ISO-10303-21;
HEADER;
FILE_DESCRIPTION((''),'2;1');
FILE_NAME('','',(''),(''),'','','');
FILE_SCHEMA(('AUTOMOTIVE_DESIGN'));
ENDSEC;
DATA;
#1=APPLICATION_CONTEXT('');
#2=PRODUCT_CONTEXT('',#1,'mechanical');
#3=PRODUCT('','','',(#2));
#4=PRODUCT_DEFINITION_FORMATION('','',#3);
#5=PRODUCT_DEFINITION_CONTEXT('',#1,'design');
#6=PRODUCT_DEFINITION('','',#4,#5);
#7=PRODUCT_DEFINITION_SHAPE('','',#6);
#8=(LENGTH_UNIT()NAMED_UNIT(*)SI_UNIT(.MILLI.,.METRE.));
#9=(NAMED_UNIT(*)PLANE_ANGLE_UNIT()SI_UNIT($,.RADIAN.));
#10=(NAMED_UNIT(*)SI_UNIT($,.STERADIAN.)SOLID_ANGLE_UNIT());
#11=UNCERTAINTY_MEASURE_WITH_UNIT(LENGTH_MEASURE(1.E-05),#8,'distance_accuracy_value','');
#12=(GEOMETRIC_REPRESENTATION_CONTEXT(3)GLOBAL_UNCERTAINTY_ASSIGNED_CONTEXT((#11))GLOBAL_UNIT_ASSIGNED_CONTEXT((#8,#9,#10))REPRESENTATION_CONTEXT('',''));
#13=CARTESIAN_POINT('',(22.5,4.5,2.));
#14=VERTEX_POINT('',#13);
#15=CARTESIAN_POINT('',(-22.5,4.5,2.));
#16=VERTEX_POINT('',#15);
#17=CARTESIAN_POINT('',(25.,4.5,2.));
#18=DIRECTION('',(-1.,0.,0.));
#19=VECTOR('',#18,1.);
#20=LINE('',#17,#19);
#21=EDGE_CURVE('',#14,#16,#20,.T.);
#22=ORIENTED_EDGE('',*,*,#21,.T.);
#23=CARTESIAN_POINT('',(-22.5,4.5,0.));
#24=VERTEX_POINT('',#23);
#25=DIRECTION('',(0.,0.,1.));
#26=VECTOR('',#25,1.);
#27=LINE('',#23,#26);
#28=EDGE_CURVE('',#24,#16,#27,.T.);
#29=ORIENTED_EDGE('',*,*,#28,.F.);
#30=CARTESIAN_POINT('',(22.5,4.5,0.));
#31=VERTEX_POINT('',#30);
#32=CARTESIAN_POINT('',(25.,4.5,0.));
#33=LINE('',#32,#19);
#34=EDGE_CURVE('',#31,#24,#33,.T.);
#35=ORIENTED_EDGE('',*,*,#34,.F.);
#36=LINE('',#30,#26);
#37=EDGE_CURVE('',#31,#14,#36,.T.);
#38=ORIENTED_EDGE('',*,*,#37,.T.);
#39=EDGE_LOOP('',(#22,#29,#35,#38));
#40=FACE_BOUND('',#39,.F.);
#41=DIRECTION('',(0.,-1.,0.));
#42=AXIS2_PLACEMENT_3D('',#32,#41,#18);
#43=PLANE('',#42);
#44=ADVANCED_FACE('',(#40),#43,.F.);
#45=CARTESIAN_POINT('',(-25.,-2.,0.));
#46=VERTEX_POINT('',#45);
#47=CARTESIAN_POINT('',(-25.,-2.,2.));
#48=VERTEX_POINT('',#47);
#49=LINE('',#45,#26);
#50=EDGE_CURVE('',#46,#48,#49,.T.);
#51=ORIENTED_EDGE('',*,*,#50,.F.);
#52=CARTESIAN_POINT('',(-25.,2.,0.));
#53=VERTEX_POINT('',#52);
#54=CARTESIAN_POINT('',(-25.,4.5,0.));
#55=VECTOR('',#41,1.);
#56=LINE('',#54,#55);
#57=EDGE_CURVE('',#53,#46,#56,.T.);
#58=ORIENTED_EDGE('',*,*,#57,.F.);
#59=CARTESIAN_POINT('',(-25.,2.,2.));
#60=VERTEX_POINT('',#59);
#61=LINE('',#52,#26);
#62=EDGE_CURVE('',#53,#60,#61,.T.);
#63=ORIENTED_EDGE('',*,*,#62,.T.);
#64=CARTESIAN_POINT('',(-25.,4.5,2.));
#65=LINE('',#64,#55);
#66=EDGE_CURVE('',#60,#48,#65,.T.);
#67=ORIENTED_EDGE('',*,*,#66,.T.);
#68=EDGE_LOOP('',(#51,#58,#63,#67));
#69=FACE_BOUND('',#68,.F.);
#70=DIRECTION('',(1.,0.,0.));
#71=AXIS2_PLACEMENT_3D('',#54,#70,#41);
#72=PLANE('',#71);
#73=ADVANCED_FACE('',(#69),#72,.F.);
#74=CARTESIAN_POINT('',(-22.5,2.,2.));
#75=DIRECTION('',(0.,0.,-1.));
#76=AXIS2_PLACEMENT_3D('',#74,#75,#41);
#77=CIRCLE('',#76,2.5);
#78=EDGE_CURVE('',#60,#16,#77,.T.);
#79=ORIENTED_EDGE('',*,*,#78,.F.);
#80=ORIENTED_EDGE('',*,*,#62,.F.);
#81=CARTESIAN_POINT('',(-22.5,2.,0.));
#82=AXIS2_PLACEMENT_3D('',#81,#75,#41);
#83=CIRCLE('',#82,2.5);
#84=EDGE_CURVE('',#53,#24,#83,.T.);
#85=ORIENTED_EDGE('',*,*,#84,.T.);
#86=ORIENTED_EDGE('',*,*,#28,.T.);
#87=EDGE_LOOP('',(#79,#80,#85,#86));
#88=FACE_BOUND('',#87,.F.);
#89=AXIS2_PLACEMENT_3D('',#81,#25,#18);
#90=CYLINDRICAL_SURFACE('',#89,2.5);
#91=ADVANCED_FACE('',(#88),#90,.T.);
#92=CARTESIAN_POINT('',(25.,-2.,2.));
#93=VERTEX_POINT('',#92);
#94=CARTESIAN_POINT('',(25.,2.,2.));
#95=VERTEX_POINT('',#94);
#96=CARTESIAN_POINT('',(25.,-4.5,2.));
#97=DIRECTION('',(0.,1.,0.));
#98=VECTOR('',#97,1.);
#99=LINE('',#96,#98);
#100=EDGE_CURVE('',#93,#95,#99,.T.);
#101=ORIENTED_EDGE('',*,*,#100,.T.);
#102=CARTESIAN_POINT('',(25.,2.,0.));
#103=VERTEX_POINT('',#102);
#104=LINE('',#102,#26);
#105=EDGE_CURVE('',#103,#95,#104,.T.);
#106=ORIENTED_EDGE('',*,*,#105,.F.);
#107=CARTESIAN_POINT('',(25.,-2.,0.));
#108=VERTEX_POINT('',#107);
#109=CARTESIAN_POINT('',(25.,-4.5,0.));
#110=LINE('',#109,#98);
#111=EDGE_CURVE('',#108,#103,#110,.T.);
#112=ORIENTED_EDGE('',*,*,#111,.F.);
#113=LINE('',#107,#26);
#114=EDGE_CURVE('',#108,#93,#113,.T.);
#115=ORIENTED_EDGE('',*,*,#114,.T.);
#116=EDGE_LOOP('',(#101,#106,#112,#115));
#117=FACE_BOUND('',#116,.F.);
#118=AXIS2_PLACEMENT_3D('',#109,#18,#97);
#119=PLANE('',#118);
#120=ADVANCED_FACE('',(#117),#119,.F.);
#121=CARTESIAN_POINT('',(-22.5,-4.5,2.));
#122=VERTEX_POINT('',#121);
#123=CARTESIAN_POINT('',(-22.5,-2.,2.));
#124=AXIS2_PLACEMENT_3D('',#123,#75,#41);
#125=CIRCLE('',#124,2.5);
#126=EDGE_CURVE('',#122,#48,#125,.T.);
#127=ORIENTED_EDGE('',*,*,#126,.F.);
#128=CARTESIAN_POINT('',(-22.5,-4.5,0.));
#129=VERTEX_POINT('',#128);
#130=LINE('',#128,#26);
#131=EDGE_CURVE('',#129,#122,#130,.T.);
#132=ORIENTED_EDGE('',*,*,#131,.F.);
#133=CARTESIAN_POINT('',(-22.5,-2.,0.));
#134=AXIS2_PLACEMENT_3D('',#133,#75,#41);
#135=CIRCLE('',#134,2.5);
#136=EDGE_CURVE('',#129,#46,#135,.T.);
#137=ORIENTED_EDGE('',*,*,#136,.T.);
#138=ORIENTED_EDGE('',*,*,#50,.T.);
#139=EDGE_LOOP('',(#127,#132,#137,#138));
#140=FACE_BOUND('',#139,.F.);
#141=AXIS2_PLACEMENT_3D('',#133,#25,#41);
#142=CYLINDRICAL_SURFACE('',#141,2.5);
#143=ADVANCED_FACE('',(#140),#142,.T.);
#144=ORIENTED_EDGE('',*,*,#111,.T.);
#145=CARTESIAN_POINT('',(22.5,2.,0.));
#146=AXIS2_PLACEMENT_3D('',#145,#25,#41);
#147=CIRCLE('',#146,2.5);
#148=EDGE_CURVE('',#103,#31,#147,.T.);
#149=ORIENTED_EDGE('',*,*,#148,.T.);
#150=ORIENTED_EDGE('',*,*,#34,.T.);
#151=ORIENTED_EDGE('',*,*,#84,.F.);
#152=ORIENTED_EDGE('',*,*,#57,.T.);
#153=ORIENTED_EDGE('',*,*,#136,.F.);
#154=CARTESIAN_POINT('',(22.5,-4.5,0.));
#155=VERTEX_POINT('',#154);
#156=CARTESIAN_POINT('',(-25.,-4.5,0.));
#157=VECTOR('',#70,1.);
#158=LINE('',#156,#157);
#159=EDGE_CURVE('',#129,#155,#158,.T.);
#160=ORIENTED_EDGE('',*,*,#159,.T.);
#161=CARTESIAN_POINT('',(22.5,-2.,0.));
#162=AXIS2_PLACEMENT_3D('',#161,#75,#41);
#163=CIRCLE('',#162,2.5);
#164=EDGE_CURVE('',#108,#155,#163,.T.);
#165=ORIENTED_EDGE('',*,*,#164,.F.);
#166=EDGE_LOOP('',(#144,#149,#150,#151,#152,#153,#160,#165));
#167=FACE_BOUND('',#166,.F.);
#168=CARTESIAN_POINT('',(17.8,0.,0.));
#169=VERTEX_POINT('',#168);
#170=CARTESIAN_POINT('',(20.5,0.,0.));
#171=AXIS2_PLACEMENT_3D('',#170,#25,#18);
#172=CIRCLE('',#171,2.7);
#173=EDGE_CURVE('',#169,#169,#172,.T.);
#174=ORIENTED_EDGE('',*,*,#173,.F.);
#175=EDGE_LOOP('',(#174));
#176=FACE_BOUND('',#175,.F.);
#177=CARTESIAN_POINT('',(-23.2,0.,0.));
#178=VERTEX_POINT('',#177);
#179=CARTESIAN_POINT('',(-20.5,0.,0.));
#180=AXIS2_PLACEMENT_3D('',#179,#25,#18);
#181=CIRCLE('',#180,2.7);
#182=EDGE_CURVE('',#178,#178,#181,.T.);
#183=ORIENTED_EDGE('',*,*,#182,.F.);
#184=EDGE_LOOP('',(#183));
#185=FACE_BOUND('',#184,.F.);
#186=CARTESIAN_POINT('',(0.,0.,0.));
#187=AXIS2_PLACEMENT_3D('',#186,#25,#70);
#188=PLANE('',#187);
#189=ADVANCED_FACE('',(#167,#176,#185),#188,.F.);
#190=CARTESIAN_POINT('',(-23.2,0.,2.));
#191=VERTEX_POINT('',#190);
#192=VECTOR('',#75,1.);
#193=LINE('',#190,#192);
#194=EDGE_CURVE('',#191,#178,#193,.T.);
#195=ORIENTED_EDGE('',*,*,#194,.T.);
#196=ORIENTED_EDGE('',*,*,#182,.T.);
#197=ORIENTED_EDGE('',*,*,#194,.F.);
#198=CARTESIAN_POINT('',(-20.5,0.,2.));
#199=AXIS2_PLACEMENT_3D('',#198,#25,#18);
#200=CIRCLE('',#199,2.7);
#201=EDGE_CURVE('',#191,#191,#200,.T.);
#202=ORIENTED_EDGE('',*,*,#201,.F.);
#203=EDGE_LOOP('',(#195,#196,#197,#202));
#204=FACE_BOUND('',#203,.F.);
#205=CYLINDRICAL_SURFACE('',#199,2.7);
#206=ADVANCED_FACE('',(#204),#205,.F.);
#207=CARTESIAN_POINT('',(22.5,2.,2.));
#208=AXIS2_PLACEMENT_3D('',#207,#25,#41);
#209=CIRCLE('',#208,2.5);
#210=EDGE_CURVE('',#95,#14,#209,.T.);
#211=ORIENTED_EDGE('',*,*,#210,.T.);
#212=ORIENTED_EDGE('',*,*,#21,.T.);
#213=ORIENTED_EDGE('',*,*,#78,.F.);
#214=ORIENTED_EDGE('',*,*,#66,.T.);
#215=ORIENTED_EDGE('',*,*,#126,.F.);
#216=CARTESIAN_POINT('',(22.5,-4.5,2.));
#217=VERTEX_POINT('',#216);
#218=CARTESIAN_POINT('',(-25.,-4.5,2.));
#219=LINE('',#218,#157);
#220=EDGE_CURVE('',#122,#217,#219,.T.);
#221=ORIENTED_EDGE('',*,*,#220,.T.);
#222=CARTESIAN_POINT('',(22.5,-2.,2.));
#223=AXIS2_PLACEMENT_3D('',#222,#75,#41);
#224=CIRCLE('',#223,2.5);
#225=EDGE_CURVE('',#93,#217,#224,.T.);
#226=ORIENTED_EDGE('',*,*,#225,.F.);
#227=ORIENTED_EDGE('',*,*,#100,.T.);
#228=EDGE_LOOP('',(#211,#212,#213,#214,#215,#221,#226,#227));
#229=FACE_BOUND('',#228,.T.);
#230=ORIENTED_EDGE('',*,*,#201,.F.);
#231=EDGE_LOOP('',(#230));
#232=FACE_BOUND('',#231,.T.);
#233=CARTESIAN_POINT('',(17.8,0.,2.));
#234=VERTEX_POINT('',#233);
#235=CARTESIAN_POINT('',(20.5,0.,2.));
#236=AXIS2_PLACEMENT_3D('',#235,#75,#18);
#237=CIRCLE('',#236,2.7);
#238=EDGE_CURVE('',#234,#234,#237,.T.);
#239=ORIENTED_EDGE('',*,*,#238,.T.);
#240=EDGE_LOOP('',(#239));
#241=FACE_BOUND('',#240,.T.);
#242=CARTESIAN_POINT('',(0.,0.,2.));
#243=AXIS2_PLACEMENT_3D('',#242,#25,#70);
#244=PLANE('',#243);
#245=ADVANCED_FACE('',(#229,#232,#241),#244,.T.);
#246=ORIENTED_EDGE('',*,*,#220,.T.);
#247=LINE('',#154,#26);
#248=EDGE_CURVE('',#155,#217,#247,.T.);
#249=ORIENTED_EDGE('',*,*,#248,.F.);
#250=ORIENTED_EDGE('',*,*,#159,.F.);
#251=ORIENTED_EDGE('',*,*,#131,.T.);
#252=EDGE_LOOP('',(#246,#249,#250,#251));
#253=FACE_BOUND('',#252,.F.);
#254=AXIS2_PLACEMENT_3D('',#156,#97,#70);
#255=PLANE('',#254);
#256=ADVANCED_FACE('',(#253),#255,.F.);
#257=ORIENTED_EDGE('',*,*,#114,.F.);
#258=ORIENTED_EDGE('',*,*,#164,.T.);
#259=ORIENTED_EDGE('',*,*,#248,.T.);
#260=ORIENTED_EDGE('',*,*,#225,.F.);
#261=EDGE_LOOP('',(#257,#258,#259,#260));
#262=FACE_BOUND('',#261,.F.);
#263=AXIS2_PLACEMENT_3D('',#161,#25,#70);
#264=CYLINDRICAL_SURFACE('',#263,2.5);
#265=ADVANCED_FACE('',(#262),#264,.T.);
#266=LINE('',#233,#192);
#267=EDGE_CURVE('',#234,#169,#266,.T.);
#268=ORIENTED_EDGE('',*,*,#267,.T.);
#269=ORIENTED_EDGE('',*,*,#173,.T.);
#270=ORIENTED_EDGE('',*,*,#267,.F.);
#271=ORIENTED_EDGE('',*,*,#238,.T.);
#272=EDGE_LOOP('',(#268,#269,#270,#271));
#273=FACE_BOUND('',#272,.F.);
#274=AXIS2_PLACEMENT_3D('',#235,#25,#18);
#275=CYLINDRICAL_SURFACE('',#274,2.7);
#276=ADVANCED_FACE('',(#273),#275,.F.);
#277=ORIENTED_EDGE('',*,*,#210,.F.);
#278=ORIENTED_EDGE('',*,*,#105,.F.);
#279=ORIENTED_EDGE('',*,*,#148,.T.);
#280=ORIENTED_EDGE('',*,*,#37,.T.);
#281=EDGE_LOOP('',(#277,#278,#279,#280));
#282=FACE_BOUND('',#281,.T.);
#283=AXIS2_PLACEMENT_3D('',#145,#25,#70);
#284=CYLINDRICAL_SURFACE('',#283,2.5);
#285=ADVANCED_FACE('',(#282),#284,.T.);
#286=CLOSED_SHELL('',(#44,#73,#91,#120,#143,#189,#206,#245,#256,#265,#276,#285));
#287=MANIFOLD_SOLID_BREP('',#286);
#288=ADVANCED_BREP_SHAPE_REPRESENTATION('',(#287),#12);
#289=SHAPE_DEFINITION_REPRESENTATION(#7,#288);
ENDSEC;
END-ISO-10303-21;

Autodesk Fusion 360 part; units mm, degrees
sketch "Sketch1" plane through (0, 0, 0) normal (0, 0, 1) x (1, 0, 0)
  line L0 (25, 4.5) -> (-25, 4.5)
  line L1 (-25, 4.5) -> (-25, -4.5)
  line L2 (-25, -4.5) -> (25, -4.5)
  line L3 (25, -4.5) -> (25, 4.5)
  line L4 (25, 4.5) -> (-25, -4.5) construction
  line L5 (-25, 4.5) -> (25, -4.5) construction
  dimension "d1" = 50
  dimension "d2" = 9
extrude "Extrude1" add sketch "Sketch1" along normal blind 2
fillet "Fillet1" radius 2.5 4 edges at (-25, -4.5, 1) (-25, 4.5, 1) (25, -4.5, 1) (25, 4.5, 1)
sketch "Sketch2" plane through (0, 0, 2) normal (0, 0, 1) x (-1, 0, 0)
  arc A0 (-25, -2) -> (-22.5, -4.5) centre (-22.5, -2) ccw
  line L0 (-22.5, -4.5) -> (22.5, -4.5)
  arc A1 (22.5, -4.5) -> (25, -2) centre (22.5, -2) ccw
  line L1 (22.5, 4.5) -> (-22.5, 4.5)
  line L2 (25, -2) -> (25, 2)
  arc A2 (25, 2) -> (22.5, 4.5) centre (22.5, 2) ccw
  arc A3 (-22.5, 4.5) -> (-25, 2) centre (-22.5, 2) ccw
  line L3 (-25, 2) -> (-25, -2)
  line L4 (25, 0) -> (-25, 0) construction
  line L5 (25, 0) -> (20.5, 0)
  line L6 (-25, 0) -> (-20.5, 0)
  circle A4 centre (20.5, 0) radius 2.7
  circle A5 centre (-20.5, 0) radius 2.7
  dimension "d11" = 4.5
  dimension "d12" = 4.5
  dimension "d13" = 5.4
  dimension "d14" = 5.4
extrude "Extrude2" cut sketch "Sketch2" against normal blind 2 contours A4 | A5
